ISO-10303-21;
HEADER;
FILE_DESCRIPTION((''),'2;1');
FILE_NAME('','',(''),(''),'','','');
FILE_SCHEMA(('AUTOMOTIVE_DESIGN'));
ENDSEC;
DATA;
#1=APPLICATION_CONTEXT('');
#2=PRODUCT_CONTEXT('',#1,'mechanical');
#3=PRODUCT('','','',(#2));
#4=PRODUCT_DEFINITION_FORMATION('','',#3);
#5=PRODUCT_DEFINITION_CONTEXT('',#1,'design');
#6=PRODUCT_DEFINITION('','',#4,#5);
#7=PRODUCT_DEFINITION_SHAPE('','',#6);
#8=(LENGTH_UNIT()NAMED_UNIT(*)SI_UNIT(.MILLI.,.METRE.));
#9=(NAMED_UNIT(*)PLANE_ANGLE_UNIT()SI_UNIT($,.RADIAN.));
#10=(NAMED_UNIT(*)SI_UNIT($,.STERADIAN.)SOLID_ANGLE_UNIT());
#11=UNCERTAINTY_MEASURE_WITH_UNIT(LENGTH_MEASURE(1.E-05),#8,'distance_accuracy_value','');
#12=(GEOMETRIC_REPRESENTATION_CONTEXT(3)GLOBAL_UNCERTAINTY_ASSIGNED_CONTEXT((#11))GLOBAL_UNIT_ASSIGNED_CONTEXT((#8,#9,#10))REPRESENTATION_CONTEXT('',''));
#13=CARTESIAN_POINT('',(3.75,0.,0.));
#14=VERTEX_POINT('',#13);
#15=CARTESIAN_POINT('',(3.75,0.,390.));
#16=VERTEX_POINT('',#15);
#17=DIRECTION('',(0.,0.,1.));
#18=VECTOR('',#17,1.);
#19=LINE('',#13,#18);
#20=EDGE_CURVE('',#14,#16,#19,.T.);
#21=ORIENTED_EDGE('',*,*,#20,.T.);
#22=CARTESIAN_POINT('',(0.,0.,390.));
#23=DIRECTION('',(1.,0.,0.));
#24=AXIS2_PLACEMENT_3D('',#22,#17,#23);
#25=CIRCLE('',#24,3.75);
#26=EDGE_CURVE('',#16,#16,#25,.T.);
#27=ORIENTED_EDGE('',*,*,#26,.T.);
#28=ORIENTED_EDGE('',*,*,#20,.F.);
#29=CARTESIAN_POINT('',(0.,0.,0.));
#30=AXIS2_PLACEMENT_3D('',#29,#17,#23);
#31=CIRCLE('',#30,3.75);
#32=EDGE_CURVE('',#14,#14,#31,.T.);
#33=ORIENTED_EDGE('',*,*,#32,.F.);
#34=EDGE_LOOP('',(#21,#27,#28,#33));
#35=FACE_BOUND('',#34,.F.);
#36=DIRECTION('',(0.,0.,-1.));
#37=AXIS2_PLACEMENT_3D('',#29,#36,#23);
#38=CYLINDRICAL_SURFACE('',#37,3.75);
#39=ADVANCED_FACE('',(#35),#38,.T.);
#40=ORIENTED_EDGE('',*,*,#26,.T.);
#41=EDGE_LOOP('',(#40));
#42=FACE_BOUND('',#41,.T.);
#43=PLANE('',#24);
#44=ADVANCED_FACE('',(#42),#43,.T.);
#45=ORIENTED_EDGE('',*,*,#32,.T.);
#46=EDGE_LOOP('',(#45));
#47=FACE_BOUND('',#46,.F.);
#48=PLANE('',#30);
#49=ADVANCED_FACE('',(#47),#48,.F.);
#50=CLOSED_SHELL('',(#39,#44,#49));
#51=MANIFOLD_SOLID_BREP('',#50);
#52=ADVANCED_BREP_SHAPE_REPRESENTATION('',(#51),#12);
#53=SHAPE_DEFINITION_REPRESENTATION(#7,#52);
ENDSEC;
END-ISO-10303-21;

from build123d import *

# Parameters (mm, degrees)
CYLINDER_R     = 3.75
CYLINDER_DEPTH = 390


with BuildPart() as part:
    # Cylinder → Cylinder (new body)
    with BuildSketch(Plane.XY):
        Circle(CYLINDER_R)
    extrude(amount=CYLINDER_DEPTH)


solid = part.part
